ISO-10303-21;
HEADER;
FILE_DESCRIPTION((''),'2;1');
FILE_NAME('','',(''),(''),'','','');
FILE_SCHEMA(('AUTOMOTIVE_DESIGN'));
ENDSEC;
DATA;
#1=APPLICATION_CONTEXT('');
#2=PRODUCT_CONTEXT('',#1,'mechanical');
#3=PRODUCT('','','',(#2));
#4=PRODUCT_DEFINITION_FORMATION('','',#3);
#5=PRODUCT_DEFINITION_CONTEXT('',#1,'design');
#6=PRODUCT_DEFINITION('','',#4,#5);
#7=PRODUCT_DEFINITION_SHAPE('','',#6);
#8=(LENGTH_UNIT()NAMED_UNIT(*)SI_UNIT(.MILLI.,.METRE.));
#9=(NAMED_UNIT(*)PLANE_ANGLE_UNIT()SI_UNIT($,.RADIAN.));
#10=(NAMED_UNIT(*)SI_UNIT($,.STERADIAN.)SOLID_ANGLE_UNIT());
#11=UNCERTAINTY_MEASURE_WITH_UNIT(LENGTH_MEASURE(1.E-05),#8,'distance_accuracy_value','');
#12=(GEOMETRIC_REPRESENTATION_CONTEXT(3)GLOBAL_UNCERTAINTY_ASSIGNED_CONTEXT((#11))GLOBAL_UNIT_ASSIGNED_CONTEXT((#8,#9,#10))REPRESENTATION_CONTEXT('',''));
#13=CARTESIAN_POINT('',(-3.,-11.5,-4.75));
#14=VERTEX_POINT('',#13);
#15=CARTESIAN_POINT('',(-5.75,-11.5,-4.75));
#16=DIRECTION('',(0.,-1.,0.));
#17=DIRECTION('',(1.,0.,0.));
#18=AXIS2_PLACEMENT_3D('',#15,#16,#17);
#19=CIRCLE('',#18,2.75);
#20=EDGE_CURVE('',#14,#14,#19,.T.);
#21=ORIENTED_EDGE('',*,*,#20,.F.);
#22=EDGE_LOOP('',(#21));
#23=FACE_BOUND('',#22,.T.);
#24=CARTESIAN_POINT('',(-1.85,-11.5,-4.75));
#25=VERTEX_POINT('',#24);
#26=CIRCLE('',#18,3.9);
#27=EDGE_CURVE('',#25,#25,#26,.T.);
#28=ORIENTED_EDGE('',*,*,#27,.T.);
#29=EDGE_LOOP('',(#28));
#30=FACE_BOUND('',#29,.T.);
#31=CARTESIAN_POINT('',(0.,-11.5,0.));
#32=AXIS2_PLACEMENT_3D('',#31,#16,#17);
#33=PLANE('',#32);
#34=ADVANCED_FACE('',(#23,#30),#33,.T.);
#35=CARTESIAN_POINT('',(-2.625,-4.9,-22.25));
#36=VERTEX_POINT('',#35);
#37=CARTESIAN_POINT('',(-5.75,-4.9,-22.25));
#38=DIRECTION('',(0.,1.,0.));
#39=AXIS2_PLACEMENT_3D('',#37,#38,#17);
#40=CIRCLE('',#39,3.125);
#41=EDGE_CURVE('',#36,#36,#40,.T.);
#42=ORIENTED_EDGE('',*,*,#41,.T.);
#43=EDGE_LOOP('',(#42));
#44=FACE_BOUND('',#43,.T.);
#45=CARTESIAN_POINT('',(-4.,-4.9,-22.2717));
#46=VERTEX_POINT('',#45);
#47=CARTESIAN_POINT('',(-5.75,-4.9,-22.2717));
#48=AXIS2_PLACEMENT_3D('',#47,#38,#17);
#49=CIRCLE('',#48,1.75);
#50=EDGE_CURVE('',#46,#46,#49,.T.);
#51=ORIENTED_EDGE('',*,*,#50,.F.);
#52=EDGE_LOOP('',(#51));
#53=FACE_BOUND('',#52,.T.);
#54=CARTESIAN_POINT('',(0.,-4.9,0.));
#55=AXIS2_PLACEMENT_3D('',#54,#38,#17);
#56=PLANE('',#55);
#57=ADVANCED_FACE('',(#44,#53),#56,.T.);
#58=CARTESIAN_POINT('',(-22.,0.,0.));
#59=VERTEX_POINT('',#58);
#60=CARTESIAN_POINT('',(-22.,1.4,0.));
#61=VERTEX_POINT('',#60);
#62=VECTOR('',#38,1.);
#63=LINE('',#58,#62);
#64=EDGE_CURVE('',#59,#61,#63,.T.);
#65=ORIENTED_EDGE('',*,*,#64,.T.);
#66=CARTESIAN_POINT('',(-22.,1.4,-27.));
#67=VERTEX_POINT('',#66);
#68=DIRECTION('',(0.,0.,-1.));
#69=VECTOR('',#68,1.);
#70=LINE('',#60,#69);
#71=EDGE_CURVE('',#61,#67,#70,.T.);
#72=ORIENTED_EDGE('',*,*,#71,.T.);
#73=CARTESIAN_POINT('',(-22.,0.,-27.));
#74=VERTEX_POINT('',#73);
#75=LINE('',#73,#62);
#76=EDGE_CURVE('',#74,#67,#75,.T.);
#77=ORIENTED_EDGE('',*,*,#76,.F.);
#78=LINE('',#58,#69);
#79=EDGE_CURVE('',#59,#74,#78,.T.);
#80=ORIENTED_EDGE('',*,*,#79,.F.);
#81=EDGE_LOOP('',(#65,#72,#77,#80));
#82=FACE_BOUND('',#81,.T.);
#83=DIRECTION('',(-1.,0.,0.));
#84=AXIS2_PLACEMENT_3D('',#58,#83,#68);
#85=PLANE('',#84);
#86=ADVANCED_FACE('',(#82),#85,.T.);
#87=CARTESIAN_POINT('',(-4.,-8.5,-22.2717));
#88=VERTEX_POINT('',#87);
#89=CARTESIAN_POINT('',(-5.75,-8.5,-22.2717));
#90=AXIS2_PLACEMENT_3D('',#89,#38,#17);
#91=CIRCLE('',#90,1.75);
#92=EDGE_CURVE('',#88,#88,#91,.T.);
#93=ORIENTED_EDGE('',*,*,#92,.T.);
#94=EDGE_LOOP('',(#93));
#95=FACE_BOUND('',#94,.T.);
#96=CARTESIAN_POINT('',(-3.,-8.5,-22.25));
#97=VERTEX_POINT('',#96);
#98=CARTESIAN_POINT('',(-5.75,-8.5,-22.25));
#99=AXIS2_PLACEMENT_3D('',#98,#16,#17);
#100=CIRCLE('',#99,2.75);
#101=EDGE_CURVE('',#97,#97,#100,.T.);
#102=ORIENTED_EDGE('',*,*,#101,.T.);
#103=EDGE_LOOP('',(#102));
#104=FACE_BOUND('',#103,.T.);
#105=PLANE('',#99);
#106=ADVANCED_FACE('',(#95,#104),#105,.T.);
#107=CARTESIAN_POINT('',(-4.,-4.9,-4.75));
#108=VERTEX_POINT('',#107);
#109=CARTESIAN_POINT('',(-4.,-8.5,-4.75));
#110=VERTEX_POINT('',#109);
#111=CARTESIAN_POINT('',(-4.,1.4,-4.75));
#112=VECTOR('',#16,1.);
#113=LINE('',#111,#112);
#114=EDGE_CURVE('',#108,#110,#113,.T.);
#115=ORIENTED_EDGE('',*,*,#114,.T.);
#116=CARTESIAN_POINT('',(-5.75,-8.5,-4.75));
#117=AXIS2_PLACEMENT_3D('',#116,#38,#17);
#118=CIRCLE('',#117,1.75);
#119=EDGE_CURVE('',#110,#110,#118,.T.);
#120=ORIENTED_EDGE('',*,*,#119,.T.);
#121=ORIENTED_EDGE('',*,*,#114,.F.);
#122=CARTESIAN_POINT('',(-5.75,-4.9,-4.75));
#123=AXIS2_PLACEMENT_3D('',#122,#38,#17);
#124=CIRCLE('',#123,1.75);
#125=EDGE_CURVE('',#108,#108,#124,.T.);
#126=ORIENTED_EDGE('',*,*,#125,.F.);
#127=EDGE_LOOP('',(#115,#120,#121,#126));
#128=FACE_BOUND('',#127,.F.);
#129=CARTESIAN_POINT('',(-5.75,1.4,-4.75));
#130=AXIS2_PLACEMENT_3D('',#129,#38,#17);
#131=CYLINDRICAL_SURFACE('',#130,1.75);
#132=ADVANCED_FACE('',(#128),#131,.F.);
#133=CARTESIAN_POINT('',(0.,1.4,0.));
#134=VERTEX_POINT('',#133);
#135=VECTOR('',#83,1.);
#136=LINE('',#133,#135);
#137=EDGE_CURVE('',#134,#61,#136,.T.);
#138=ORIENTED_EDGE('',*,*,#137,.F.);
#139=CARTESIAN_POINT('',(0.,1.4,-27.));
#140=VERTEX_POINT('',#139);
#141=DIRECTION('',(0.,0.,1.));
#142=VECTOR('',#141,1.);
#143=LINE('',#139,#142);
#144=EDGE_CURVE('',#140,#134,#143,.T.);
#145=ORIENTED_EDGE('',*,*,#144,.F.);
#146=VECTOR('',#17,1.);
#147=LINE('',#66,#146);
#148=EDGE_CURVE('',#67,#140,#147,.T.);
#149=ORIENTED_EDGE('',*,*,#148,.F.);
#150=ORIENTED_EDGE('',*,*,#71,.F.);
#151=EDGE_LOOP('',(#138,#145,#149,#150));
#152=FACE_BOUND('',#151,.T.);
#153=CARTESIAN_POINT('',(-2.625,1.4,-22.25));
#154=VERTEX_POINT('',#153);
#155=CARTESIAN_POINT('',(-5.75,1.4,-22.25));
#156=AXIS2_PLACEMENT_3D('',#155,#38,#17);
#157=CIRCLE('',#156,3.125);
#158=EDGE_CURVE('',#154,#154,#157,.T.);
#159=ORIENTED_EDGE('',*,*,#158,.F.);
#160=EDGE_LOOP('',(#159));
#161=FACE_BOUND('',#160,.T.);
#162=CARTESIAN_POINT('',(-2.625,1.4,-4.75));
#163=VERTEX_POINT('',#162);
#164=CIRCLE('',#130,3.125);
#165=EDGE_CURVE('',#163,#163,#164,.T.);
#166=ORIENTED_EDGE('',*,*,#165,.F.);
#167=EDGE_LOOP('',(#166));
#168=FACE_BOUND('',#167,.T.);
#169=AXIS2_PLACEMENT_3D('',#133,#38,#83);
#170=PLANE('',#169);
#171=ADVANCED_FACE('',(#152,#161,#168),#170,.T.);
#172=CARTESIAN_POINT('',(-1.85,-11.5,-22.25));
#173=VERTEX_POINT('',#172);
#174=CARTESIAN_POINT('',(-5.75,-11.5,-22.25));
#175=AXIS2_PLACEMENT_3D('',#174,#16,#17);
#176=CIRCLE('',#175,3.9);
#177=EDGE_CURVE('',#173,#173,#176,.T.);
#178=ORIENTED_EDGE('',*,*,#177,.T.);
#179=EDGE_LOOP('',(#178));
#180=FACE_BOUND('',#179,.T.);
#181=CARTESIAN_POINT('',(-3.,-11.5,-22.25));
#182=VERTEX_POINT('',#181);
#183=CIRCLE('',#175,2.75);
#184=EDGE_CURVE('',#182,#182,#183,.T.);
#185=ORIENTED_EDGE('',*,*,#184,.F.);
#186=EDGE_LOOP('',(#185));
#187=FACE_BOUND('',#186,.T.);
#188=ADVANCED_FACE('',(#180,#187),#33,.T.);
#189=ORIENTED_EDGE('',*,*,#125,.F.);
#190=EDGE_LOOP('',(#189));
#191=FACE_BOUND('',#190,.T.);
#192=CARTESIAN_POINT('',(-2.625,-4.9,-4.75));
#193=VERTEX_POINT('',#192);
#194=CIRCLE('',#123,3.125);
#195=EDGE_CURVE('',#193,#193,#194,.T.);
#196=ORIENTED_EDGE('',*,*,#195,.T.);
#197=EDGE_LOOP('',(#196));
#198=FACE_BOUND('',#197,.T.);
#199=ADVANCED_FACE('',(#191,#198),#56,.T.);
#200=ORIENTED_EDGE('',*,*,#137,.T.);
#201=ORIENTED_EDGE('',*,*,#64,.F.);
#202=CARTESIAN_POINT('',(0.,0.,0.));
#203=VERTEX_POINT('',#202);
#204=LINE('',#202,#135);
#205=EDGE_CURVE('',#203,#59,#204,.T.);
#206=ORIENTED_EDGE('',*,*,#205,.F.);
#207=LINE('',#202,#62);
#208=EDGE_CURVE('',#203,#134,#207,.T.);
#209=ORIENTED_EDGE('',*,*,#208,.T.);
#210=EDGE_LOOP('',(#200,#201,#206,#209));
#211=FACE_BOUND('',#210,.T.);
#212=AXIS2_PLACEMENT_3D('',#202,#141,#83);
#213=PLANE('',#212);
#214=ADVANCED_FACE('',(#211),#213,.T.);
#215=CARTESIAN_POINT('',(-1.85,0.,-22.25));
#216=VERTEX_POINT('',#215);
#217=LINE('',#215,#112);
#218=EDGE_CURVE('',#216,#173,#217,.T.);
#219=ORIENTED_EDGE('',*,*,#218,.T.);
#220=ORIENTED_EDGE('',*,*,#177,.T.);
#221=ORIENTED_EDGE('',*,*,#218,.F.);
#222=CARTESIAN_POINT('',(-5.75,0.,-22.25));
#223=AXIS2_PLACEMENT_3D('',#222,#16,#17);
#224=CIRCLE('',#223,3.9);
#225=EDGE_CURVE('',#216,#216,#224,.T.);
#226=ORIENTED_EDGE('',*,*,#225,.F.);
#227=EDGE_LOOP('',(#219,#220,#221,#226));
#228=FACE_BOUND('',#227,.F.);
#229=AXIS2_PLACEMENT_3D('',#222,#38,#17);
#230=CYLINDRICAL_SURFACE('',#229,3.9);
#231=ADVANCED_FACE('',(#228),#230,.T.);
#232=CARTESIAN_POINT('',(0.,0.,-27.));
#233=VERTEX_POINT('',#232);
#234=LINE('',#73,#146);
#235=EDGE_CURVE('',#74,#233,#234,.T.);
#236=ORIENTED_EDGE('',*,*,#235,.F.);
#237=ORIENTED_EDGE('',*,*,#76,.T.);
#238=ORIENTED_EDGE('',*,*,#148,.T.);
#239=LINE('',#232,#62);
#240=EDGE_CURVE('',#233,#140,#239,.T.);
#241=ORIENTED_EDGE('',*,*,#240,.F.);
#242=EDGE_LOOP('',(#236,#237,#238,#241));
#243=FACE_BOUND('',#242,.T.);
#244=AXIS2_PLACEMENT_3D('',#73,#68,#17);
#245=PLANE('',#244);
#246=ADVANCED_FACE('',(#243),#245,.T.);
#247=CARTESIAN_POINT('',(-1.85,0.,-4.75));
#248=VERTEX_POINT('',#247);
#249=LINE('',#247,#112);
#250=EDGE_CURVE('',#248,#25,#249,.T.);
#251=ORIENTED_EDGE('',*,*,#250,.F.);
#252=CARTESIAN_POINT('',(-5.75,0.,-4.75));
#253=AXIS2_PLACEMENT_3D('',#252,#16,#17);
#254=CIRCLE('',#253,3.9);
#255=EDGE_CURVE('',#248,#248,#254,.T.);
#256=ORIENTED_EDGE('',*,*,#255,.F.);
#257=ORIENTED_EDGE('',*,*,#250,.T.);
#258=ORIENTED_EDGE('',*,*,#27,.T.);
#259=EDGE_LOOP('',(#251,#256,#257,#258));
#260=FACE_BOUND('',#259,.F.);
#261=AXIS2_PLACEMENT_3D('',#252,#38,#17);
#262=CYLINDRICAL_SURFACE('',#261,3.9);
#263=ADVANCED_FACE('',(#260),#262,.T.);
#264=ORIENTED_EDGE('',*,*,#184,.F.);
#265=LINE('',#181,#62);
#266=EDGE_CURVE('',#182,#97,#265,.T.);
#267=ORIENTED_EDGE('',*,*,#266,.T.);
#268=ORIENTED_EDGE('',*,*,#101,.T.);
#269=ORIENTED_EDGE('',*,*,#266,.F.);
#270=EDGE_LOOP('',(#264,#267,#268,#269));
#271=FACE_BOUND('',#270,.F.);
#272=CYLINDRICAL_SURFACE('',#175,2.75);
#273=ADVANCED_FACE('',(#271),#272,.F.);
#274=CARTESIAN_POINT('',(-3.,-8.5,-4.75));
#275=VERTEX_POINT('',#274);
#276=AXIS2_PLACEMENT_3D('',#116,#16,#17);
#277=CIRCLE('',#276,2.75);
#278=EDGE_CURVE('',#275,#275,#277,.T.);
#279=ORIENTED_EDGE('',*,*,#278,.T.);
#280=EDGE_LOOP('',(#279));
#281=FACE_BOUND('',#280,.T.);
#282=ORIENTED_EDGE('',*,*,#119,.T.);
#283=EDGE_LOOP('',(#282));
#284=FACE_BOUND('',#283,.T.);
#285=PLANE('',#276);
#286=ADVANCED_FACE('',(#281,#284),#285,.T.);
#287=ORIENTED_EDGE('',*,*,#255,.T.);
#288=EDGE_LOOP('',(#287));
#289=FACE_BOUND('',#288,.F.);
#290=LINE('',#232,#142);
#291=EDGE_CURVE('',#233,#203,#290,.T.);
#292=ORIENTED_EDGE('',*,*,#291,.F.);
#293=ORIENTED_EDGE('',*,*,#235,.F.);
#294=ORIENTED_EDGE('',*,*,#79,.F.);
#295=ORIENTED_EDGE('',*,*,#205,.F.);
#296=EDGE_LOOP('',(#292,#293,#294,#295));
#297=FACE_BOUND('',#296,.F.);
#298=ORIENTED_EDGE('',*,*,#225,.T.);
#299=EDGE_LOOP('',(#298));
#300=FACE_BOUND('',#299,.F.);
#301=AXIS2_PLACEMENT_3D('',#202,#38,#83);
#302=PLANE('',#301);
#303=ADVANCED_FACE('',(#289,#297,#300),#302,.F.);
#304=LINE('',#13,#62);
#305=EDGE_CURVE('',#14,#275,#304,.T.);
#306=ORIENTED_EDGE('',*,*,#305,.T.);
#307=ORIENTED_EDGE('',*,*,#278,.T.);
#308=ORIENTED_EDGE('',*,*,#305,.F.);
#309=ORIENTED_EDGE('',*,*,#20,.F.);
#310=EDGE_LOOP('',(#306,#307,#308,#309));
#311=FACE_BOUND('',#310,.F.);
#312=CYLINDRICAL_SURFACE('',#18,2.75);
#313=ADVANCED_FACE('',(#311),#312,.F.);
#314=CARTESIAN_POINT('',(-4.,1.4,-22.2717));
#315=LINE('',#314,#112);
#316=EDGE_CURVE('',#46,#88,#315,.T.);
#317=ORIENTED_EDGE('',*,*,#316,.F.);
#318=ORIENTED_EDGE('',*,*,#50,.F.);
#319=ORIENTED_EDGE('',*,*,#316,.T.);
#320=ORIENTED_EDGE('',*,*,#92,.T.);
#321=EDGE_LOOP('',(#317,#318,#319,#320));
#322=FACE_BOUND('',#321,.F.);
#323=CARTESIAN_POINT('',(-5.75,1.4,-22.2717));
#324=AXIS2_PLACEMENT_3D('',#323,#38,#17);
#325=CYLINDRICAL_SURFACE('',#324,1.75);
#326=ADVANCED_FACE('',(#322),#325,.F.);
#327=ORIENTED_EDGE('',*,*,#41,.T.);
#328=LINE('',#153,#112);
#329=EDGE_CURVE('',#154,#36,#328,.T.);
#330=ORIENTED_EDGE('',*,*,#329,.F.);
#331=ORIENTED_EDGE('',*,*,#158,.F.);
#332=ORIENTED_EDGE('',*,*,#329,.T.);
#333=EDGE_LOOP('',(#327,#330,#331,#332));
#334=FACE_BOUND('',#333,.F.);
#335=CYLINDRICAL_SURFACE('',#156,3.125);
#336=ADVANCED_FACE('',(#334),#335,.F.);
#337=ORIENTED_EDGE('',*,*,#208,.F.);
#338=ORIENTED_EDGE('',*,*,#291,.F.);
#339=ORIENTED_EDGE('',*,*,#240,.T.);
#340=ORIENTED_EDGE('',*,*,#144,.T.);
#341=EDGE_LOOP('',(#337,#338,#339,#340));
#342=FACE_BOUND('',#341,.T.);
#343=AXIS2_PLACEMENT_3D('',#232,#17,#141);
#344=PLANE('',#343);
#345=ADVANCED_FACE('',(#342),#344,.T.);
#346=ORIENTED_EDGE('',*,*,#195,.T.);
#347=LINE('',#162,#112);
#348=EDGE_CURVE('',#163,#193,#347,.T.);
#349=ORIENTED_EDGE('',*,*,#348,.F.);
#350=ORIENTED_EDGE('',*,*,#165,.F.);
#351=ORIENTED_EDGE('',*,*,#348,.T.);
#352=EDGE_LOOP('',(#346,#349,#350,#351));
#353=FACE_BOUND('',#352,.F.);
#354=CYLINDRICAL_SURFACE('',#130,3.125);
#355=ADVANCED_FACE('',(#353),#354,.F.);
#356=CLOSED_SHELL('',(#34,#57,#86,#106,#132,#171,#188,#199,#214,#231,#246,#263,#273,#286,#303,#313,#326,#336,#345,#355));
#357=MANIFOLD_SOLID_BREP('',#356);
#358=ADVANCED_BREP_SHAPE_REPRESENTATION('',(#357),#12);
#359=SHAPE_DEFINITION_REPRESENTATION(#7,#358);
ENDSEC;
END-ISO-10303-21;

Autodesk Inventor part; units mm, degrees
ref_plane "YZ Plane" through (0, 0, 0) normal (1, 0, 0) x (0, 1, 0)
ref_plane "XZ Plane" through (0, 0, 0) normal (0, 1, 0) x (-1, 0, 0)
ref_plane "XY Plane" through (0, 0, 0) normal (0, 0, 1) x (1, 0, 0)
sketch "Эскиз1" plane through (0, 0, 0) normal (0, 1, 0) x (-1, 0, 0)
  line L0 (0, 0) -> (22, 0)
  line L1 (22, 0) -> (22, -27)
  line L2 (22, -27) -> (0, -27)
  line L3 (0, -27) -> (0, 0)
  dimension "d0" = 22
  dimension "d1" = 27
extrude "Выдавливание1" add sketch "Эскиз1" along normal blind 1.4
sketch "Эскиз2" plane through (0, 0, 0) normal (0, -1, 0) x (1, 0, 0)
  circle A0 centre (-5.75, -4.75) radius 3.9
  circle A1 centre (-5.75, -22.25) radius 3.9
  line L0 (-22, 0) -> (0, 0) projected
  line L1 (0, 0) -> (0, -27) projected
  line L2 (0, -27) -> (-22, -27) projected
  dimension "d4" = 7.8
  dimension "d5" = 7.8
  dimension "d6" = 4.75
  dimension "d7" = 5.75
  dimension "d8" = 5.75
  dimension "d9" = 4.75
extrude "Выдавливание2" add sketch "Эскиз2" along normal blind 11.5
sketch "Эскиз3" plane through (-5.75, -11.5, -22.25) normal (0, -1, 0) x (1, 0, 0)
  circle A0 centre (0, 0) radius 2.75
  point P0 (5.75, 22.25)
  dimension "d12" = 5.5
extrude "Выдавливание3" cut sketch "Эскиз3" against normal blind 3
sketch "Эскиз4" plane through (-5.75, -11.5, -4.75) normal (0, -1, 0) x (1, 0, 0)
  circle A0 centre (0, 0) radius 2.75
  point P0 (5.75, 4.75)
  dimension "d13" = 5.5
extrude "Выдавливание4" cut sketch "Эскиз4" against normal blind 3
sketch "Эскиз5" plane through (0, 1.4, 0) normal (0, 1, 0) x (1, 0, 0)
  circle A0 centre (-5.75, 4.75) radius 3.9 projected
  circle A1 centre (-5.75, 4.75) radius 1.75
  circle A2 centre (-5.75, 22.2717) radius 1.75
  point P0 (0, 0)
  dimension "d20" = 3.5
  dimension "d21" = 3.5
extrude "Выдавливание5" cut sketch "Эскиз5" against normal blind 11.5 contours A1 | A2
sketch "Эскиз6" plane through (0, 1.4, 0) normal (0, 1, 0) x (1, 0, 0)
  circle A0 centre (-5.75, 4.75) radius 2.75 projected
  circle A1 centre (-5.75, 4.75) radius 3.125
  circle A2 centre (-5.75, 22.25) radius 2.75 projected
  circle A3 centre (-5.75, 22.25) radius 3.125
  point P0 (0, 0)
  dimension "d24" = 6.25
  dimension "d25" = 6.25
extrude "Выдавливание6" cut sketch "Эскиз6" against normal blind 6.3 contours A0 | A1 | A2 | A3
properties part number "Крышка для клеммы"
